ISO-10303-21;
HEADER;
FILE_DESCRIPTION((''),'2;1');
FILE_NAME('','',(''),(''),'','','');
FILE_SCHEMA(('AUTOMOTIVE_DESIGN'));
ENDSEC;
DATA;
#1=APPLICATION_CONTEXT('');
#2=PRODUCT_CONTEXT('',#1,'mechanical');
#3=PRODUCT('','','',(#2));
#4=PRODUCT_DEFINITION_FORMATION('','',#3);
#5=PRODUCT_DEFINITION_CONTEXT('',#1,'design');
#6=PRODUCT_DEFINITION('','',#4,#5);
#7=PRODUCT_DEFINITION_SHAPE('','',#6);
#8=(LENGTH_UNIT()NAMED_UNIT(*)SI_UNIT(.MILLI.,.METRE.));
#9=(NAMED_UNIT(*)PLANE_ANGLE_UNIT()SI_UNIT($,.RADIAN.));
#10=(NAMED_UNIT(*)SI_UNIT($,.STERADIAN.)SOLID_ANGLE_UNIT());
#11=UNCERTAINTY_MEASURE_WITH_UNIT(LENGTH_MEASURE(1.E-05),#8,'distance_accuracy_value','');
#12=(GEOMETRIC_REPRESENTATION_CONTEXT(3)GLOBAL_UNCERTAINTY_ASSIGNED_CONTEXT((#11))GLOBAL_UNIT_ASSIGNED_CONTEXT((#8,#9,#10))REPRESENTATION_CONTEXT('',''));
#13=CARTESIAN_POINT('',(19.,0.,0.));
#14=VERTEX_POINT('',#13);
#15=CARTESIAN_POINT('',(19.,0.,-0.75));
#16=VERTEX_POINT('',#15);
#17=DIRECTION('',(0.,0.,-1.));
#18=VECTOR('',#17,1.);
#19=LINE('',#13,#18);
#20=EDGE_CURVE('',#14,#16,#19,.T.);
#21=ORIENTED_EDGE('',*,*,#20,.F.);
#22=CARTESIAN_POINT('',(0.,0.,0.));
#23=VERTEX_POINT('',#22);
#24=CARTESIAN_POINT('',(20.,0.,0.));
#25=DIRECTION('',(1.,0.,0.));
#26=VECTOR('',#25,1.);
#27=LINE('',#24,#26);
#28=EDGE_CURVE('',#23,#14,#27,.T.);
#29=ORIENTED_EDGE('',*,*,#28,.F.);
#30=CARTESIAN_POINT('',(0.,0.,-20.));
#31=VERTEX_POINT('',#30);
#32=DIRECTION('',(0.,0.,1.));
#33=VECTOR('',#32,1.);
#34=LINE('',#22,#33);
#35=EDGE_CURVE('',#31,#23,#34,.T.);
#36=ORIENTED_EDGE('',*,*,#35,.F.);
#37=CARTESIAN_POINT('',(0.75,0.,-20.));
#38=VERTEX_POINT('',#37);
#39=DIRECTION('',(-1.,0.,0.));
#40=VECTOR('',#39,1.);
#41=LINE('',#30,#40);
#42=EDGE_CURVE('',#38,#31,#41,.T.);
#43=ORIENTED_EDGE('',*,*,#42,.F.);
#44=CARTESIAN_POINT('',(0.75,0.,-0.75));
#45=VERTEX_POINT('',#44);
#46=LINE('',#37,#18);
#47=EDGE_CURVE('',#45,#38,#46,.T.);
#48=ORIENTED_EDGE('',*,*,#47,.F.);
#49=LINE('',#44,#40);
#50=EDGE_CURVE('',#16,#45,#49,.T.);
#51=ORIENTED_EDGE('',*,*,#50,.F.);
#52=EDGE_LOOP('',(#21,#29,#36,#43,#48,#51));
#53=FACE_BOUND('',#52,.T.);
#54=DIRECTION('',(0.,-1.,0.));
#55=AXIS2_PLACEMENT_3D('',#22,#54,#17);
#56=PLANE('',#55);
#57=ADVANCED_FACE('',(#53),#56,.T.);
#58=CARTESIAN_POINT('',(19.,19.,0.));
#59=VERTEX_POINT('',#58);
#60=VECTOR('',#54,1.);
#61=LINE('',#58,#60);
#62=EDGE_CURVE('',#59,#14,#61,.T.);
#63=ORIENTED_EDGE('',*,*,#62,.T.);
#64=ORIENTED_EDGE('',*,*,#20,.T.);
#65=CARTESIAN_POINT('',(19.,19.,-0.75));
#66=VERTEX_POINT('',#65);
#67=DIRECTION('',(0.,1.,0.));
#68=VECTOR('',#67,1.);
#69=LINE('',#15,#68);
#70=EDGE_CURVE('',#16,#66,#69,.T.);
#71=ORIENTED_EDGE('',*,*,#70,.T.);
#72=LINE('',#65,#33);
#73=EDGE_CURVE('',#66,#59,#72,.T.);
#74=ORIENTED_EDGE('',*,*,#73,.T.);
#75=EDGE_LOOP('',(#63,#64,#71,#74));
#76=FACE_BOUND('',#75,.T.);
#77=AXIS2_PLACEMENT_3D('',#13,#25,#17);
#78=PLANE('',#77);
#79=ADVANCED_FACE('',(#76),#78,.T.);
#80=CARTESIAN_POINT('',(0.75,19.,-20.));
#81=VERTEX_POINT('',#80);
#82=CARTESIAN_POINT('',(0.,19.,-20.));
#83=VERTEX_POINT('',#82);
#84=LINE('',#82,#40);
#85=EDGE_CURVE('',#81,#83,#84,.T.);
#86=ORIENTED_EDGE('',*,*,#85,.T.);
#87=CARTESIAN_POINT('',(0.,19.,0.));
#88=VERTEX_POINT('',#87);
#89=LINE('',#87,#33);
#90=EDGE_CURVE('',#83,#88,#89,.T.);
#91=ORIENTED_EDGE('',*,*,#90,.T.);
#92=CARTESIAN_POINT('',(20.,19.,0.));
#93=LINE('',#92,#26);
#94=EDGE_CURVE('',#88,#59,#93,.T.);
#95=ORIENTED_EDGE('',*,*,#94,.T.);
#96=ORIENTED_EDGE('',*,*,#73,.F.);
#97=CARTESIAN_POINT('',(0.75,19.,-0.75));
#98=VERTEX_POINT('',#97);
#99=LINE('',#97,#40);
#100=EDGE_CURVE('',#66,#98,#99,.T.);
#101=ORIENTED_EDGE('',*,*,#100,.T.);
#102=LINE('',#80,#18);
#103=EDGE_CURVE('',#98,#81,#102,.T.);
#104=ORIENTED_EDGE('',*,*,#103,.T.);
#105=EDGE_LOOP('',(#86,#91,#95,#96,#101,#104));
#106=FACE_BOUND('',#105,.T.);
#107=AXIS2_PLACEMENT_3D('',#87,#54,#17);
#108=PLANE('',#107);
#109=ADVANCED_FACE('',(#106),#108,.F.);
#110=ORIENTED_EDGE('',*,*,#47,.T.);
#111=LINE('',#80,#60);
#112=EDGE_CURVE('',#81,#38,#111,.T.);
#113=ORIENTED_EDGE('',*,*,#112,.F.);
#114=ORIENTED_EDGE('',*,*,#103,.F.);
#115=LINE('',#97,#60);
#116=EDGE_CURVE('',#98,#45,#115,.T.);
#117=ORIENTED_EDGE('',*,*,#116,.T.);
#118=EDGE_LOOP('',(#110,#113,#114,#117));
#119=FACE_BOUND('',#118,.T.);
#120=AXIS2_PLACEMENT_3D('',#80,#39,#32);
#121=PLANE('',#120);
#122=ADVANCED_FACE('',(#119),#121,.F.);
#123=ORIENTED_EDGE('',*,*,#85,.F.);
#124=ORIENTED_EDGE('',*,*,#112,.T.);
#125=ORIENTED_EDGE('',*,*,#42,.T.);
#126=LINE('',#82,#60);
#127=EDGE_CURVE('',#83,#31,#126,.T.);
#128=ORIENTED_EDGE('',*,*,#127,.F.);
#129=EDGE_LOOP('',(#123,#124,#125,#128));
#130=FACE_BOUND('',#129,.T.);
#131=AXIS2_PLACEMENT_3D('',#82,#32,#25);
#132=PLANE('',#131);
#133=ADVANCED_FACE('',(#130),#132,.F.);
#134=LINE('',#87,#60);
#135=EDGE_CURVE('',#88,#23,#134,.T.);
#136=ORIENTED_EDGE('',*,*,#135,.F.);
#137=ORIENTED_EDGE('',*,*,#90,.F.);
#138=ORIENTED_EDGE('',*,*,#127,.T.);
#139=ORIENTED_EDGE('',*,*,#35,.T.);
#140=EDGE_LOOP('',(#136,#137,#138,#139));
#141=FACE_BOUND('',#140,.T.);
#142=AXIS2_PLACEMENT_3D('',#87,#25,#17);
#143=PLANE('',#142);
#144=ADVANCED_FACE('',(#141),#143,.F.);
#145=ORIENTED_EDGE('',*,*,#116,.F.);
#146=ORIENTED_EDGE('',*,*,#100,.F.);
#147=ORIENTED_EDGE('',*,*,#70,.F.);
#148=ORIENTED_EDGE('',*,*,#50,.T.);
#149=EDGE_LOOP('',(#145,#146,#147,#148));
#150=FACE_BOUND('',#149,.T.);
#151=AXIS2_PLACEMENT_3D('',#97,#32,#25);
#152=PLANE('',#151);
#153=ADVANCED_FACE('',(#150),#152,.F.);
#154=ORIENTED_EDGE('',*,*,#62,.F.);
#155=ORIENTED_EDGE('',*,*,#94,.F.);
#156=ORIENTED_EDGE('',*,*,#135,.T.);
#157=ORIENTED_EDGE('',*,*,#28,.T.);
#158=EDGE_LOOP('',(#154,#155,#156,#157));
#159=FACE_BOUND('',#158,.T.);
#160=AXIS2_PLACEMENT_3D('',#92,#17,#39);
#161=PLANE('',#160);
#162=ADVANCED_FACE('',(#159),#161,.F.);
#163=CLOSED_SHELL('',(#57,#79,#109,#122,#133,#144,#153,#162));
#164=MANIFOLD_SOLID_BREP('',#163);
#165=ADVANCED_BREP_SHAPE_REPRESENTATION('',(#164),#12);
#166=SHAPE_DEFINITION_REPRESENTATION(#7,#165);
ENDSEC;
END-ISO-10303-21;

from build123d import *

# Parameters (mm, degrees)
EXTRUDE_1_DEPTH     = 19
SKETCH_2_W          = 0.75
SKETCH_2_H          = 19
CUT_EXTRUDE_1_DEPTH = 1


with BuildPart() as part:
    # Эскиз1 → Бобышка-Вытянуть1 (new body)
    with BuildSketch(Plane(origin=(0, 0, 0), x_dir=(1, 0, 0), z_dir=(0, 1, 0))):
        Polygon((0, 0), (0, 20), (0.75, 20), (0.75, 0.75), (20, 0.75), (20, 0), align=None)
    extrude(amount=EXTRUDE_1_DEPTH)

    # Эскиз2 → Вырез-Вытянуть1 (cut)
    with BuildSketch(Plane(origin=(20, 0, 0), x_dir=(0, 0, -1), z_dir=(1, 0, 0))):
        with Locations((0.375, 9.5)):
            Rectangle(SKETCH_2_W, SKETCH_2_H)
    extrude(amount=-CUT_EXTRUDE_1_DEPTH, mode=Mode.SUBTRACT)


solid = part.part
